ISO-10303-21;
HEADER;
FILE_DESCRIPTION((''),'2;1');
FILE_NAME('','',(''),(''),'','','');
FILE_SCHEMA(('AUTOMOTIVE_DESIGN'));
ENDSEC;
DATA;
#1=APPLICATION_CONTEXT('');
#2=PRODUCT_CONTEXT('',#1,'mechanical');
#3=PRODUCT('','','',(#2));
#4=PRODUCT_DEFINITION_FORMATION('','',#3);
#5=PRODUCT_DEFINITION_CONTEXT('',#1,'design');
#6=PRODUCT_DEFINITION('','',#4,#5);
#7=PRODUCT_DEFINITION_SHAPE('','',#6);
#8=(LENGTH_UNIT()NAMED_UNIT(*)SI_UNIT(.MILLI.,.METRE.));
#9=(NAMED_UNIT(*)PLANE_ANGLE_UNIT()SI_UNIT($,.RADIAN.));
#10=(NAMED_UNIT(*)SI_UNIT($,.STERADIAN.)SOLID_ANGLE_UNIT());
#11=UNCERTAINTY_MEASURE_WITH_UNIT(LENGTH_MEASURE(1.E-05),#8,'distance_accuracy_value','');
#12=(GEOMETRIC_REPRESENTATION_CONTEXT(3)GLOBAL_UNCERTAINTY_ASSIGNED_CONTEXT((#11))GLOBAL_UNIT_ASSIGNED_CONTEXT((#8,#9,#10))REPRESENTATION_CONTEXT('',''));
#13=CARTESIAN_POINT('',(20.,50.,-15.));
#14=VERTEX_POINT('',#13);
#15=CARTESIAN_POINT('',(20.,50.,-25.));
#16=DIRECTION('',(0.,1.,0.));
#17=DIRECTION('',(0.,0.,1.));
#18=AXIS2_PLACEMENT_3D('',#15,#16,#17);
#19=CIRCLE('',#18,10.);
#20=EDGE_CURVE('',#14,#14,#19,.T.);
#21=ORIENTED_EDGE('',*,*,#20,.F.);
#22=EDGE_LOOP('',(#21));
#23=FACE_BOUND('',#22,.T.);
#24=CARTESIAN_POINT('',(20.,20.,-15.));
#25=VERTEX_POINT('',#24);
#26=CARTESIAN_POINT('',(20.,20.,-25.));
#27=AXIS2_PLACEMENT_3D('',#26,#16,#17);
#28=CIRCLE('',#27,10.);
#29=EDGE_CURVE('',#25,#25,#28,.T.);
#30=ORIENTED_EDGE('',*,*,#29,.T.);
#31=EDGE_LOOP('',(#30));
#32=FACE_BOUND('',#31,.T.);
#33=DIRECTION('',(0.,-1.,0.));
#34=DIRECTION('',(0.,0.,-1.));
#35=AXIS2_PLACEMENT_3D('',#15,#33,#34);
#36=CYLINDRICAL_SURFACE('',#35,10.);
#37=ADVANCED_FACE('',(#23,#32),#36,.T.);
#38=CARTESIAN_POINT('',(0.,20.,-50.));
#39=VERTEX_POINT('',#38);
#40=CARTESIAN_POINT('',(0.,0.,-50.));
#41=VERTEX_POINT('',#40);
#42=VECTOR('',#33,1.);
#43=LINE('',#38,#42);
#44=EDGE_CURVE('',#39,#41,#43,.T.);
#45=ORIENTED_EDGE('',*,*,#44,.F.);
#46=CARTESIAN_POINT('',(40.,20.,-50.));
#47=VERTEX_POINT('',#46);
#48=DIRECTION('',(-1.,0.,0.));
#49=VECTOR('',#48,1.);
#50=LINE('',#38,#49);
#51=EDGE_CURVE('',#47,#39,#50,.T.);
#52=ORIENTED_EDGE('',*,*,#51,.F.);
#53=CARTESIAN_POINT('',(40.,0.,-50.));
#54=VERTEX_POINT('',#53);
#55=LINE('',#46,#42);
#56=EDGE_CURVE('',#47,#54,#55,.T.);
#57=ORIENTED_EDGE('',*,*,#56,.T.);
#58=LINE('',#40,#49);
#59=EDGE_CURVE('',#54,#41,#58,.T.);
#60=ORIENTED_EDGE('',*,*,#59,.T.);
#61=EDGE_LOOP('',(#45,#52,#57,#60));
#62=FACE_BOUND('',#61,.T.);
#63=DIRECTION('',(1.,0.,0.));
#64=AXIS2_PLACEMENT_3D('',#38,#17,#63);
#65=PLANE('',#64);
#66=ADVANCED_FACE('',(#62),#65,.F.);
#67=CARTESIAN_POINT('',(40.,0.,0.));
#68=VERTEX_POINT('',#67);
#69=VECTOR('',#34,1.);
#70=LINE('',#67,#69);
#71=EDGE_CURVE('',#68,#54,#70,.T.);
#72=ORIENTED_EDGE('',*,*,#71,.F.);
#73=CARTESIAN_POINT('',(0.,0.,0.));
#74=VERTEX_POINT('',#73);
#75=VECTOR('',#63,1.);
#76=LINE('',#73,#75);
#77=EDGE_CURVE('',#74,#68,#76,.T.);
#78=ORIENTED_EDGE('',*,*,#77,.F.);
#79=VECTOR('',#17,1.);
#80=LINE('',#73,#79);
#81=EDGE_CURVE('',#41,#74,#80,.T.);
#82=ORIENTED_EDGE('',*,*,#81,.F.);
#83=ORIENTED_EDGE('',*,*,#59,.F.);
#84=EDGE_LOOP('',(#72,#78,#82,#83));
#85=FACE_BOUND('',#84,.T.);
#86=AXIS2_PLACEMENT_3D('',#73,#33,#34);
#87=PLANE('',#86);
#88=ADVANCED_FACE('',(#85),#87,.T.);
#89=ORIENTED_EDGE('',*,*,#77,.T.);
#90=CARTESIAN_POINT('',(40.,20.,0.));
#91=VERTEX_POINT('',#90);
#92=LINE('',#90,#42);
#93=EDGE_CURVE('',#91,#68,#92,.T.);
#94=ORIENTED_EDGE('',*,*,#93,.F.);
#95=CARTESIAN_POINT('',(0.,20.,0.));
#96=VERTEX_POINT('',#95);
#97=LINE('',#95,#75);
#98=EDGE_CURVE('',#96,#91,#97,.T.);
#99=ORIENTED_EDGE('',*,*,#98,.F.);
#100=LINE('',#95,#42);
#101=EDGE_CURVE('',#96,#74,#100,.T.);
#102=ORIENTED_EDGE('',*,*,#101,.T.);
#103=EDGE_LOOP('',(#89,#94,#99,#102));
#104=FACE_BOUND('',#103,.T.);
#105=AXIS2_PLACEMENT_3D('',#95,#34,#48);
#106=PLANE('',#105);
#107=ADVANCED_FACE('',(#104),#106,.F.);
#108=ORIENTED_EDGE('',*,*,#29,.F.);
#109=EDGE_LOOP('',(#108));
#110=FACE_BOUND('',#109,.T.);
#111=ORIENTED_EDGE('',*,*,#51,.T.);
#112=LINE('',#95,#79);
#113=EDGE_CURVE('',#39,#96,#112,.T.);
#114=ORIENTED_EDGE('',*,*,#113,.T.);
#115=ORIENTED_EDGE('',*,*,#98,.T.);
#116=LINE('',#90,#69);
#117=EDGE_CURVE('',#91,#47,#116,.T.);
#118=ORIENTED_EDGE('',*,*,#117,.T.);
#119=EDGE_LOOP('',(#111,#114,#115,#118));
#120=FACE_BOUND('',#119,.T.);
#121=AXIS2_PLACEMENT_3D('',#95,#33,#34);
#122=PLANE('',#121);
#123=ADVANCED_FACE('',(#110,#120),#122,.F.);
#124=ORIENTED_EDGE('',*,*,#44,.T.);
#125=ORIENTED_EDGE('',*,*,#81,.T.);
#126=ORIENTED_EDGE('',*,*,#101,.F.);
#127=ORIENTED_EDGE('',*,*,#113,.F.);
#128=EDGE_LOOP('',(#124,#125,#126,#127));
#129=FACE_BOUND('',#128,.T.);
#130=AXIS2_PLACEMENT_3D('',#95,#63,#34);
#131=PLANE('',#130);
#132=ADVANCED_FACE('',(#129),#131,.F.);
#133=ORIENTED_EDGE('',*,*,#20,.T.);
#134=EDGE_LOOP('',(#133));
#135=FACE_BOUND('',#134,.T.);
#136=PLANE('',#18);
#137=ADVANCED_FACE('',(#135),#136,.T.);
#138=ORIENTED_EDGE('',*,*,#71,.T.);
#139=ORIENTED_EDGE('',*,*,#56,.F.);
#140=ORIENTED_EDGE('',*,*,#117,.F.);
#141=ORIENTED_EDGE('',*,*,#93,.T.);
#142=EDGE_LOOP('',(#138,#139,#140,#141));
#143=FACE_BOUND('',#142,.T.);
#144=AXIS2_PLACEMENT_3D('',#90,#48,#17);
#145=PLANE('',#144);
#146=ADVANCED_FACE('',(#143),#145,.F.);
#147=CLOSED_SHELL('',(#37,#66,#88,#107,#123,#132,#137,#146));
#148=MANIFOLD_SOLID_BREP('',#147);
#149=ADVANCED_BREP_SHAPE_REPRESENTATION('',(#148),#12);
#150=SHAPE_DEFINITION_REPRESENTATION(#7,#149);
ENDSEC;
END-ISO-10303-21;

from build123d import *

# Parameters (mm, degrees)
SKETCH1_W           = 40
SKETCH1_H           = 50
BOSS_EXTRUDE1_DEPTH = 20
SKETCH2_R           = 10
BOSS_EXTRUDE2_DEPTH = 30


with BuildPart() as part:
    # Sketch1 → Boss-Extrude1 (new body)
    with BuildSketch(Plane(origin=(0, 0, 0), x_dir=(1, 0, 0), z_dir=(0, 1, 0))):
        with Locations((20, 25)):
            Rectangle(SKETCH1_W, SKETCH1_H)
    extrude(amount=BOSS_EXTRUDE1_DEPTH)

    # Sketch2 → Boss-Extrude2 (add)
    with BuildSketch(Plane(origin=(0, 20, 0), x_dir=(1, 0, 0), z_dir=(0, 1, 0))):
        with Locations(Location((20, 25, 0), (0, 0, 270))):
            Circle(SKETCH2_R)
    extrude(amount=BOSS_EXTRUDE2_DEPTH)


solid = part.part
